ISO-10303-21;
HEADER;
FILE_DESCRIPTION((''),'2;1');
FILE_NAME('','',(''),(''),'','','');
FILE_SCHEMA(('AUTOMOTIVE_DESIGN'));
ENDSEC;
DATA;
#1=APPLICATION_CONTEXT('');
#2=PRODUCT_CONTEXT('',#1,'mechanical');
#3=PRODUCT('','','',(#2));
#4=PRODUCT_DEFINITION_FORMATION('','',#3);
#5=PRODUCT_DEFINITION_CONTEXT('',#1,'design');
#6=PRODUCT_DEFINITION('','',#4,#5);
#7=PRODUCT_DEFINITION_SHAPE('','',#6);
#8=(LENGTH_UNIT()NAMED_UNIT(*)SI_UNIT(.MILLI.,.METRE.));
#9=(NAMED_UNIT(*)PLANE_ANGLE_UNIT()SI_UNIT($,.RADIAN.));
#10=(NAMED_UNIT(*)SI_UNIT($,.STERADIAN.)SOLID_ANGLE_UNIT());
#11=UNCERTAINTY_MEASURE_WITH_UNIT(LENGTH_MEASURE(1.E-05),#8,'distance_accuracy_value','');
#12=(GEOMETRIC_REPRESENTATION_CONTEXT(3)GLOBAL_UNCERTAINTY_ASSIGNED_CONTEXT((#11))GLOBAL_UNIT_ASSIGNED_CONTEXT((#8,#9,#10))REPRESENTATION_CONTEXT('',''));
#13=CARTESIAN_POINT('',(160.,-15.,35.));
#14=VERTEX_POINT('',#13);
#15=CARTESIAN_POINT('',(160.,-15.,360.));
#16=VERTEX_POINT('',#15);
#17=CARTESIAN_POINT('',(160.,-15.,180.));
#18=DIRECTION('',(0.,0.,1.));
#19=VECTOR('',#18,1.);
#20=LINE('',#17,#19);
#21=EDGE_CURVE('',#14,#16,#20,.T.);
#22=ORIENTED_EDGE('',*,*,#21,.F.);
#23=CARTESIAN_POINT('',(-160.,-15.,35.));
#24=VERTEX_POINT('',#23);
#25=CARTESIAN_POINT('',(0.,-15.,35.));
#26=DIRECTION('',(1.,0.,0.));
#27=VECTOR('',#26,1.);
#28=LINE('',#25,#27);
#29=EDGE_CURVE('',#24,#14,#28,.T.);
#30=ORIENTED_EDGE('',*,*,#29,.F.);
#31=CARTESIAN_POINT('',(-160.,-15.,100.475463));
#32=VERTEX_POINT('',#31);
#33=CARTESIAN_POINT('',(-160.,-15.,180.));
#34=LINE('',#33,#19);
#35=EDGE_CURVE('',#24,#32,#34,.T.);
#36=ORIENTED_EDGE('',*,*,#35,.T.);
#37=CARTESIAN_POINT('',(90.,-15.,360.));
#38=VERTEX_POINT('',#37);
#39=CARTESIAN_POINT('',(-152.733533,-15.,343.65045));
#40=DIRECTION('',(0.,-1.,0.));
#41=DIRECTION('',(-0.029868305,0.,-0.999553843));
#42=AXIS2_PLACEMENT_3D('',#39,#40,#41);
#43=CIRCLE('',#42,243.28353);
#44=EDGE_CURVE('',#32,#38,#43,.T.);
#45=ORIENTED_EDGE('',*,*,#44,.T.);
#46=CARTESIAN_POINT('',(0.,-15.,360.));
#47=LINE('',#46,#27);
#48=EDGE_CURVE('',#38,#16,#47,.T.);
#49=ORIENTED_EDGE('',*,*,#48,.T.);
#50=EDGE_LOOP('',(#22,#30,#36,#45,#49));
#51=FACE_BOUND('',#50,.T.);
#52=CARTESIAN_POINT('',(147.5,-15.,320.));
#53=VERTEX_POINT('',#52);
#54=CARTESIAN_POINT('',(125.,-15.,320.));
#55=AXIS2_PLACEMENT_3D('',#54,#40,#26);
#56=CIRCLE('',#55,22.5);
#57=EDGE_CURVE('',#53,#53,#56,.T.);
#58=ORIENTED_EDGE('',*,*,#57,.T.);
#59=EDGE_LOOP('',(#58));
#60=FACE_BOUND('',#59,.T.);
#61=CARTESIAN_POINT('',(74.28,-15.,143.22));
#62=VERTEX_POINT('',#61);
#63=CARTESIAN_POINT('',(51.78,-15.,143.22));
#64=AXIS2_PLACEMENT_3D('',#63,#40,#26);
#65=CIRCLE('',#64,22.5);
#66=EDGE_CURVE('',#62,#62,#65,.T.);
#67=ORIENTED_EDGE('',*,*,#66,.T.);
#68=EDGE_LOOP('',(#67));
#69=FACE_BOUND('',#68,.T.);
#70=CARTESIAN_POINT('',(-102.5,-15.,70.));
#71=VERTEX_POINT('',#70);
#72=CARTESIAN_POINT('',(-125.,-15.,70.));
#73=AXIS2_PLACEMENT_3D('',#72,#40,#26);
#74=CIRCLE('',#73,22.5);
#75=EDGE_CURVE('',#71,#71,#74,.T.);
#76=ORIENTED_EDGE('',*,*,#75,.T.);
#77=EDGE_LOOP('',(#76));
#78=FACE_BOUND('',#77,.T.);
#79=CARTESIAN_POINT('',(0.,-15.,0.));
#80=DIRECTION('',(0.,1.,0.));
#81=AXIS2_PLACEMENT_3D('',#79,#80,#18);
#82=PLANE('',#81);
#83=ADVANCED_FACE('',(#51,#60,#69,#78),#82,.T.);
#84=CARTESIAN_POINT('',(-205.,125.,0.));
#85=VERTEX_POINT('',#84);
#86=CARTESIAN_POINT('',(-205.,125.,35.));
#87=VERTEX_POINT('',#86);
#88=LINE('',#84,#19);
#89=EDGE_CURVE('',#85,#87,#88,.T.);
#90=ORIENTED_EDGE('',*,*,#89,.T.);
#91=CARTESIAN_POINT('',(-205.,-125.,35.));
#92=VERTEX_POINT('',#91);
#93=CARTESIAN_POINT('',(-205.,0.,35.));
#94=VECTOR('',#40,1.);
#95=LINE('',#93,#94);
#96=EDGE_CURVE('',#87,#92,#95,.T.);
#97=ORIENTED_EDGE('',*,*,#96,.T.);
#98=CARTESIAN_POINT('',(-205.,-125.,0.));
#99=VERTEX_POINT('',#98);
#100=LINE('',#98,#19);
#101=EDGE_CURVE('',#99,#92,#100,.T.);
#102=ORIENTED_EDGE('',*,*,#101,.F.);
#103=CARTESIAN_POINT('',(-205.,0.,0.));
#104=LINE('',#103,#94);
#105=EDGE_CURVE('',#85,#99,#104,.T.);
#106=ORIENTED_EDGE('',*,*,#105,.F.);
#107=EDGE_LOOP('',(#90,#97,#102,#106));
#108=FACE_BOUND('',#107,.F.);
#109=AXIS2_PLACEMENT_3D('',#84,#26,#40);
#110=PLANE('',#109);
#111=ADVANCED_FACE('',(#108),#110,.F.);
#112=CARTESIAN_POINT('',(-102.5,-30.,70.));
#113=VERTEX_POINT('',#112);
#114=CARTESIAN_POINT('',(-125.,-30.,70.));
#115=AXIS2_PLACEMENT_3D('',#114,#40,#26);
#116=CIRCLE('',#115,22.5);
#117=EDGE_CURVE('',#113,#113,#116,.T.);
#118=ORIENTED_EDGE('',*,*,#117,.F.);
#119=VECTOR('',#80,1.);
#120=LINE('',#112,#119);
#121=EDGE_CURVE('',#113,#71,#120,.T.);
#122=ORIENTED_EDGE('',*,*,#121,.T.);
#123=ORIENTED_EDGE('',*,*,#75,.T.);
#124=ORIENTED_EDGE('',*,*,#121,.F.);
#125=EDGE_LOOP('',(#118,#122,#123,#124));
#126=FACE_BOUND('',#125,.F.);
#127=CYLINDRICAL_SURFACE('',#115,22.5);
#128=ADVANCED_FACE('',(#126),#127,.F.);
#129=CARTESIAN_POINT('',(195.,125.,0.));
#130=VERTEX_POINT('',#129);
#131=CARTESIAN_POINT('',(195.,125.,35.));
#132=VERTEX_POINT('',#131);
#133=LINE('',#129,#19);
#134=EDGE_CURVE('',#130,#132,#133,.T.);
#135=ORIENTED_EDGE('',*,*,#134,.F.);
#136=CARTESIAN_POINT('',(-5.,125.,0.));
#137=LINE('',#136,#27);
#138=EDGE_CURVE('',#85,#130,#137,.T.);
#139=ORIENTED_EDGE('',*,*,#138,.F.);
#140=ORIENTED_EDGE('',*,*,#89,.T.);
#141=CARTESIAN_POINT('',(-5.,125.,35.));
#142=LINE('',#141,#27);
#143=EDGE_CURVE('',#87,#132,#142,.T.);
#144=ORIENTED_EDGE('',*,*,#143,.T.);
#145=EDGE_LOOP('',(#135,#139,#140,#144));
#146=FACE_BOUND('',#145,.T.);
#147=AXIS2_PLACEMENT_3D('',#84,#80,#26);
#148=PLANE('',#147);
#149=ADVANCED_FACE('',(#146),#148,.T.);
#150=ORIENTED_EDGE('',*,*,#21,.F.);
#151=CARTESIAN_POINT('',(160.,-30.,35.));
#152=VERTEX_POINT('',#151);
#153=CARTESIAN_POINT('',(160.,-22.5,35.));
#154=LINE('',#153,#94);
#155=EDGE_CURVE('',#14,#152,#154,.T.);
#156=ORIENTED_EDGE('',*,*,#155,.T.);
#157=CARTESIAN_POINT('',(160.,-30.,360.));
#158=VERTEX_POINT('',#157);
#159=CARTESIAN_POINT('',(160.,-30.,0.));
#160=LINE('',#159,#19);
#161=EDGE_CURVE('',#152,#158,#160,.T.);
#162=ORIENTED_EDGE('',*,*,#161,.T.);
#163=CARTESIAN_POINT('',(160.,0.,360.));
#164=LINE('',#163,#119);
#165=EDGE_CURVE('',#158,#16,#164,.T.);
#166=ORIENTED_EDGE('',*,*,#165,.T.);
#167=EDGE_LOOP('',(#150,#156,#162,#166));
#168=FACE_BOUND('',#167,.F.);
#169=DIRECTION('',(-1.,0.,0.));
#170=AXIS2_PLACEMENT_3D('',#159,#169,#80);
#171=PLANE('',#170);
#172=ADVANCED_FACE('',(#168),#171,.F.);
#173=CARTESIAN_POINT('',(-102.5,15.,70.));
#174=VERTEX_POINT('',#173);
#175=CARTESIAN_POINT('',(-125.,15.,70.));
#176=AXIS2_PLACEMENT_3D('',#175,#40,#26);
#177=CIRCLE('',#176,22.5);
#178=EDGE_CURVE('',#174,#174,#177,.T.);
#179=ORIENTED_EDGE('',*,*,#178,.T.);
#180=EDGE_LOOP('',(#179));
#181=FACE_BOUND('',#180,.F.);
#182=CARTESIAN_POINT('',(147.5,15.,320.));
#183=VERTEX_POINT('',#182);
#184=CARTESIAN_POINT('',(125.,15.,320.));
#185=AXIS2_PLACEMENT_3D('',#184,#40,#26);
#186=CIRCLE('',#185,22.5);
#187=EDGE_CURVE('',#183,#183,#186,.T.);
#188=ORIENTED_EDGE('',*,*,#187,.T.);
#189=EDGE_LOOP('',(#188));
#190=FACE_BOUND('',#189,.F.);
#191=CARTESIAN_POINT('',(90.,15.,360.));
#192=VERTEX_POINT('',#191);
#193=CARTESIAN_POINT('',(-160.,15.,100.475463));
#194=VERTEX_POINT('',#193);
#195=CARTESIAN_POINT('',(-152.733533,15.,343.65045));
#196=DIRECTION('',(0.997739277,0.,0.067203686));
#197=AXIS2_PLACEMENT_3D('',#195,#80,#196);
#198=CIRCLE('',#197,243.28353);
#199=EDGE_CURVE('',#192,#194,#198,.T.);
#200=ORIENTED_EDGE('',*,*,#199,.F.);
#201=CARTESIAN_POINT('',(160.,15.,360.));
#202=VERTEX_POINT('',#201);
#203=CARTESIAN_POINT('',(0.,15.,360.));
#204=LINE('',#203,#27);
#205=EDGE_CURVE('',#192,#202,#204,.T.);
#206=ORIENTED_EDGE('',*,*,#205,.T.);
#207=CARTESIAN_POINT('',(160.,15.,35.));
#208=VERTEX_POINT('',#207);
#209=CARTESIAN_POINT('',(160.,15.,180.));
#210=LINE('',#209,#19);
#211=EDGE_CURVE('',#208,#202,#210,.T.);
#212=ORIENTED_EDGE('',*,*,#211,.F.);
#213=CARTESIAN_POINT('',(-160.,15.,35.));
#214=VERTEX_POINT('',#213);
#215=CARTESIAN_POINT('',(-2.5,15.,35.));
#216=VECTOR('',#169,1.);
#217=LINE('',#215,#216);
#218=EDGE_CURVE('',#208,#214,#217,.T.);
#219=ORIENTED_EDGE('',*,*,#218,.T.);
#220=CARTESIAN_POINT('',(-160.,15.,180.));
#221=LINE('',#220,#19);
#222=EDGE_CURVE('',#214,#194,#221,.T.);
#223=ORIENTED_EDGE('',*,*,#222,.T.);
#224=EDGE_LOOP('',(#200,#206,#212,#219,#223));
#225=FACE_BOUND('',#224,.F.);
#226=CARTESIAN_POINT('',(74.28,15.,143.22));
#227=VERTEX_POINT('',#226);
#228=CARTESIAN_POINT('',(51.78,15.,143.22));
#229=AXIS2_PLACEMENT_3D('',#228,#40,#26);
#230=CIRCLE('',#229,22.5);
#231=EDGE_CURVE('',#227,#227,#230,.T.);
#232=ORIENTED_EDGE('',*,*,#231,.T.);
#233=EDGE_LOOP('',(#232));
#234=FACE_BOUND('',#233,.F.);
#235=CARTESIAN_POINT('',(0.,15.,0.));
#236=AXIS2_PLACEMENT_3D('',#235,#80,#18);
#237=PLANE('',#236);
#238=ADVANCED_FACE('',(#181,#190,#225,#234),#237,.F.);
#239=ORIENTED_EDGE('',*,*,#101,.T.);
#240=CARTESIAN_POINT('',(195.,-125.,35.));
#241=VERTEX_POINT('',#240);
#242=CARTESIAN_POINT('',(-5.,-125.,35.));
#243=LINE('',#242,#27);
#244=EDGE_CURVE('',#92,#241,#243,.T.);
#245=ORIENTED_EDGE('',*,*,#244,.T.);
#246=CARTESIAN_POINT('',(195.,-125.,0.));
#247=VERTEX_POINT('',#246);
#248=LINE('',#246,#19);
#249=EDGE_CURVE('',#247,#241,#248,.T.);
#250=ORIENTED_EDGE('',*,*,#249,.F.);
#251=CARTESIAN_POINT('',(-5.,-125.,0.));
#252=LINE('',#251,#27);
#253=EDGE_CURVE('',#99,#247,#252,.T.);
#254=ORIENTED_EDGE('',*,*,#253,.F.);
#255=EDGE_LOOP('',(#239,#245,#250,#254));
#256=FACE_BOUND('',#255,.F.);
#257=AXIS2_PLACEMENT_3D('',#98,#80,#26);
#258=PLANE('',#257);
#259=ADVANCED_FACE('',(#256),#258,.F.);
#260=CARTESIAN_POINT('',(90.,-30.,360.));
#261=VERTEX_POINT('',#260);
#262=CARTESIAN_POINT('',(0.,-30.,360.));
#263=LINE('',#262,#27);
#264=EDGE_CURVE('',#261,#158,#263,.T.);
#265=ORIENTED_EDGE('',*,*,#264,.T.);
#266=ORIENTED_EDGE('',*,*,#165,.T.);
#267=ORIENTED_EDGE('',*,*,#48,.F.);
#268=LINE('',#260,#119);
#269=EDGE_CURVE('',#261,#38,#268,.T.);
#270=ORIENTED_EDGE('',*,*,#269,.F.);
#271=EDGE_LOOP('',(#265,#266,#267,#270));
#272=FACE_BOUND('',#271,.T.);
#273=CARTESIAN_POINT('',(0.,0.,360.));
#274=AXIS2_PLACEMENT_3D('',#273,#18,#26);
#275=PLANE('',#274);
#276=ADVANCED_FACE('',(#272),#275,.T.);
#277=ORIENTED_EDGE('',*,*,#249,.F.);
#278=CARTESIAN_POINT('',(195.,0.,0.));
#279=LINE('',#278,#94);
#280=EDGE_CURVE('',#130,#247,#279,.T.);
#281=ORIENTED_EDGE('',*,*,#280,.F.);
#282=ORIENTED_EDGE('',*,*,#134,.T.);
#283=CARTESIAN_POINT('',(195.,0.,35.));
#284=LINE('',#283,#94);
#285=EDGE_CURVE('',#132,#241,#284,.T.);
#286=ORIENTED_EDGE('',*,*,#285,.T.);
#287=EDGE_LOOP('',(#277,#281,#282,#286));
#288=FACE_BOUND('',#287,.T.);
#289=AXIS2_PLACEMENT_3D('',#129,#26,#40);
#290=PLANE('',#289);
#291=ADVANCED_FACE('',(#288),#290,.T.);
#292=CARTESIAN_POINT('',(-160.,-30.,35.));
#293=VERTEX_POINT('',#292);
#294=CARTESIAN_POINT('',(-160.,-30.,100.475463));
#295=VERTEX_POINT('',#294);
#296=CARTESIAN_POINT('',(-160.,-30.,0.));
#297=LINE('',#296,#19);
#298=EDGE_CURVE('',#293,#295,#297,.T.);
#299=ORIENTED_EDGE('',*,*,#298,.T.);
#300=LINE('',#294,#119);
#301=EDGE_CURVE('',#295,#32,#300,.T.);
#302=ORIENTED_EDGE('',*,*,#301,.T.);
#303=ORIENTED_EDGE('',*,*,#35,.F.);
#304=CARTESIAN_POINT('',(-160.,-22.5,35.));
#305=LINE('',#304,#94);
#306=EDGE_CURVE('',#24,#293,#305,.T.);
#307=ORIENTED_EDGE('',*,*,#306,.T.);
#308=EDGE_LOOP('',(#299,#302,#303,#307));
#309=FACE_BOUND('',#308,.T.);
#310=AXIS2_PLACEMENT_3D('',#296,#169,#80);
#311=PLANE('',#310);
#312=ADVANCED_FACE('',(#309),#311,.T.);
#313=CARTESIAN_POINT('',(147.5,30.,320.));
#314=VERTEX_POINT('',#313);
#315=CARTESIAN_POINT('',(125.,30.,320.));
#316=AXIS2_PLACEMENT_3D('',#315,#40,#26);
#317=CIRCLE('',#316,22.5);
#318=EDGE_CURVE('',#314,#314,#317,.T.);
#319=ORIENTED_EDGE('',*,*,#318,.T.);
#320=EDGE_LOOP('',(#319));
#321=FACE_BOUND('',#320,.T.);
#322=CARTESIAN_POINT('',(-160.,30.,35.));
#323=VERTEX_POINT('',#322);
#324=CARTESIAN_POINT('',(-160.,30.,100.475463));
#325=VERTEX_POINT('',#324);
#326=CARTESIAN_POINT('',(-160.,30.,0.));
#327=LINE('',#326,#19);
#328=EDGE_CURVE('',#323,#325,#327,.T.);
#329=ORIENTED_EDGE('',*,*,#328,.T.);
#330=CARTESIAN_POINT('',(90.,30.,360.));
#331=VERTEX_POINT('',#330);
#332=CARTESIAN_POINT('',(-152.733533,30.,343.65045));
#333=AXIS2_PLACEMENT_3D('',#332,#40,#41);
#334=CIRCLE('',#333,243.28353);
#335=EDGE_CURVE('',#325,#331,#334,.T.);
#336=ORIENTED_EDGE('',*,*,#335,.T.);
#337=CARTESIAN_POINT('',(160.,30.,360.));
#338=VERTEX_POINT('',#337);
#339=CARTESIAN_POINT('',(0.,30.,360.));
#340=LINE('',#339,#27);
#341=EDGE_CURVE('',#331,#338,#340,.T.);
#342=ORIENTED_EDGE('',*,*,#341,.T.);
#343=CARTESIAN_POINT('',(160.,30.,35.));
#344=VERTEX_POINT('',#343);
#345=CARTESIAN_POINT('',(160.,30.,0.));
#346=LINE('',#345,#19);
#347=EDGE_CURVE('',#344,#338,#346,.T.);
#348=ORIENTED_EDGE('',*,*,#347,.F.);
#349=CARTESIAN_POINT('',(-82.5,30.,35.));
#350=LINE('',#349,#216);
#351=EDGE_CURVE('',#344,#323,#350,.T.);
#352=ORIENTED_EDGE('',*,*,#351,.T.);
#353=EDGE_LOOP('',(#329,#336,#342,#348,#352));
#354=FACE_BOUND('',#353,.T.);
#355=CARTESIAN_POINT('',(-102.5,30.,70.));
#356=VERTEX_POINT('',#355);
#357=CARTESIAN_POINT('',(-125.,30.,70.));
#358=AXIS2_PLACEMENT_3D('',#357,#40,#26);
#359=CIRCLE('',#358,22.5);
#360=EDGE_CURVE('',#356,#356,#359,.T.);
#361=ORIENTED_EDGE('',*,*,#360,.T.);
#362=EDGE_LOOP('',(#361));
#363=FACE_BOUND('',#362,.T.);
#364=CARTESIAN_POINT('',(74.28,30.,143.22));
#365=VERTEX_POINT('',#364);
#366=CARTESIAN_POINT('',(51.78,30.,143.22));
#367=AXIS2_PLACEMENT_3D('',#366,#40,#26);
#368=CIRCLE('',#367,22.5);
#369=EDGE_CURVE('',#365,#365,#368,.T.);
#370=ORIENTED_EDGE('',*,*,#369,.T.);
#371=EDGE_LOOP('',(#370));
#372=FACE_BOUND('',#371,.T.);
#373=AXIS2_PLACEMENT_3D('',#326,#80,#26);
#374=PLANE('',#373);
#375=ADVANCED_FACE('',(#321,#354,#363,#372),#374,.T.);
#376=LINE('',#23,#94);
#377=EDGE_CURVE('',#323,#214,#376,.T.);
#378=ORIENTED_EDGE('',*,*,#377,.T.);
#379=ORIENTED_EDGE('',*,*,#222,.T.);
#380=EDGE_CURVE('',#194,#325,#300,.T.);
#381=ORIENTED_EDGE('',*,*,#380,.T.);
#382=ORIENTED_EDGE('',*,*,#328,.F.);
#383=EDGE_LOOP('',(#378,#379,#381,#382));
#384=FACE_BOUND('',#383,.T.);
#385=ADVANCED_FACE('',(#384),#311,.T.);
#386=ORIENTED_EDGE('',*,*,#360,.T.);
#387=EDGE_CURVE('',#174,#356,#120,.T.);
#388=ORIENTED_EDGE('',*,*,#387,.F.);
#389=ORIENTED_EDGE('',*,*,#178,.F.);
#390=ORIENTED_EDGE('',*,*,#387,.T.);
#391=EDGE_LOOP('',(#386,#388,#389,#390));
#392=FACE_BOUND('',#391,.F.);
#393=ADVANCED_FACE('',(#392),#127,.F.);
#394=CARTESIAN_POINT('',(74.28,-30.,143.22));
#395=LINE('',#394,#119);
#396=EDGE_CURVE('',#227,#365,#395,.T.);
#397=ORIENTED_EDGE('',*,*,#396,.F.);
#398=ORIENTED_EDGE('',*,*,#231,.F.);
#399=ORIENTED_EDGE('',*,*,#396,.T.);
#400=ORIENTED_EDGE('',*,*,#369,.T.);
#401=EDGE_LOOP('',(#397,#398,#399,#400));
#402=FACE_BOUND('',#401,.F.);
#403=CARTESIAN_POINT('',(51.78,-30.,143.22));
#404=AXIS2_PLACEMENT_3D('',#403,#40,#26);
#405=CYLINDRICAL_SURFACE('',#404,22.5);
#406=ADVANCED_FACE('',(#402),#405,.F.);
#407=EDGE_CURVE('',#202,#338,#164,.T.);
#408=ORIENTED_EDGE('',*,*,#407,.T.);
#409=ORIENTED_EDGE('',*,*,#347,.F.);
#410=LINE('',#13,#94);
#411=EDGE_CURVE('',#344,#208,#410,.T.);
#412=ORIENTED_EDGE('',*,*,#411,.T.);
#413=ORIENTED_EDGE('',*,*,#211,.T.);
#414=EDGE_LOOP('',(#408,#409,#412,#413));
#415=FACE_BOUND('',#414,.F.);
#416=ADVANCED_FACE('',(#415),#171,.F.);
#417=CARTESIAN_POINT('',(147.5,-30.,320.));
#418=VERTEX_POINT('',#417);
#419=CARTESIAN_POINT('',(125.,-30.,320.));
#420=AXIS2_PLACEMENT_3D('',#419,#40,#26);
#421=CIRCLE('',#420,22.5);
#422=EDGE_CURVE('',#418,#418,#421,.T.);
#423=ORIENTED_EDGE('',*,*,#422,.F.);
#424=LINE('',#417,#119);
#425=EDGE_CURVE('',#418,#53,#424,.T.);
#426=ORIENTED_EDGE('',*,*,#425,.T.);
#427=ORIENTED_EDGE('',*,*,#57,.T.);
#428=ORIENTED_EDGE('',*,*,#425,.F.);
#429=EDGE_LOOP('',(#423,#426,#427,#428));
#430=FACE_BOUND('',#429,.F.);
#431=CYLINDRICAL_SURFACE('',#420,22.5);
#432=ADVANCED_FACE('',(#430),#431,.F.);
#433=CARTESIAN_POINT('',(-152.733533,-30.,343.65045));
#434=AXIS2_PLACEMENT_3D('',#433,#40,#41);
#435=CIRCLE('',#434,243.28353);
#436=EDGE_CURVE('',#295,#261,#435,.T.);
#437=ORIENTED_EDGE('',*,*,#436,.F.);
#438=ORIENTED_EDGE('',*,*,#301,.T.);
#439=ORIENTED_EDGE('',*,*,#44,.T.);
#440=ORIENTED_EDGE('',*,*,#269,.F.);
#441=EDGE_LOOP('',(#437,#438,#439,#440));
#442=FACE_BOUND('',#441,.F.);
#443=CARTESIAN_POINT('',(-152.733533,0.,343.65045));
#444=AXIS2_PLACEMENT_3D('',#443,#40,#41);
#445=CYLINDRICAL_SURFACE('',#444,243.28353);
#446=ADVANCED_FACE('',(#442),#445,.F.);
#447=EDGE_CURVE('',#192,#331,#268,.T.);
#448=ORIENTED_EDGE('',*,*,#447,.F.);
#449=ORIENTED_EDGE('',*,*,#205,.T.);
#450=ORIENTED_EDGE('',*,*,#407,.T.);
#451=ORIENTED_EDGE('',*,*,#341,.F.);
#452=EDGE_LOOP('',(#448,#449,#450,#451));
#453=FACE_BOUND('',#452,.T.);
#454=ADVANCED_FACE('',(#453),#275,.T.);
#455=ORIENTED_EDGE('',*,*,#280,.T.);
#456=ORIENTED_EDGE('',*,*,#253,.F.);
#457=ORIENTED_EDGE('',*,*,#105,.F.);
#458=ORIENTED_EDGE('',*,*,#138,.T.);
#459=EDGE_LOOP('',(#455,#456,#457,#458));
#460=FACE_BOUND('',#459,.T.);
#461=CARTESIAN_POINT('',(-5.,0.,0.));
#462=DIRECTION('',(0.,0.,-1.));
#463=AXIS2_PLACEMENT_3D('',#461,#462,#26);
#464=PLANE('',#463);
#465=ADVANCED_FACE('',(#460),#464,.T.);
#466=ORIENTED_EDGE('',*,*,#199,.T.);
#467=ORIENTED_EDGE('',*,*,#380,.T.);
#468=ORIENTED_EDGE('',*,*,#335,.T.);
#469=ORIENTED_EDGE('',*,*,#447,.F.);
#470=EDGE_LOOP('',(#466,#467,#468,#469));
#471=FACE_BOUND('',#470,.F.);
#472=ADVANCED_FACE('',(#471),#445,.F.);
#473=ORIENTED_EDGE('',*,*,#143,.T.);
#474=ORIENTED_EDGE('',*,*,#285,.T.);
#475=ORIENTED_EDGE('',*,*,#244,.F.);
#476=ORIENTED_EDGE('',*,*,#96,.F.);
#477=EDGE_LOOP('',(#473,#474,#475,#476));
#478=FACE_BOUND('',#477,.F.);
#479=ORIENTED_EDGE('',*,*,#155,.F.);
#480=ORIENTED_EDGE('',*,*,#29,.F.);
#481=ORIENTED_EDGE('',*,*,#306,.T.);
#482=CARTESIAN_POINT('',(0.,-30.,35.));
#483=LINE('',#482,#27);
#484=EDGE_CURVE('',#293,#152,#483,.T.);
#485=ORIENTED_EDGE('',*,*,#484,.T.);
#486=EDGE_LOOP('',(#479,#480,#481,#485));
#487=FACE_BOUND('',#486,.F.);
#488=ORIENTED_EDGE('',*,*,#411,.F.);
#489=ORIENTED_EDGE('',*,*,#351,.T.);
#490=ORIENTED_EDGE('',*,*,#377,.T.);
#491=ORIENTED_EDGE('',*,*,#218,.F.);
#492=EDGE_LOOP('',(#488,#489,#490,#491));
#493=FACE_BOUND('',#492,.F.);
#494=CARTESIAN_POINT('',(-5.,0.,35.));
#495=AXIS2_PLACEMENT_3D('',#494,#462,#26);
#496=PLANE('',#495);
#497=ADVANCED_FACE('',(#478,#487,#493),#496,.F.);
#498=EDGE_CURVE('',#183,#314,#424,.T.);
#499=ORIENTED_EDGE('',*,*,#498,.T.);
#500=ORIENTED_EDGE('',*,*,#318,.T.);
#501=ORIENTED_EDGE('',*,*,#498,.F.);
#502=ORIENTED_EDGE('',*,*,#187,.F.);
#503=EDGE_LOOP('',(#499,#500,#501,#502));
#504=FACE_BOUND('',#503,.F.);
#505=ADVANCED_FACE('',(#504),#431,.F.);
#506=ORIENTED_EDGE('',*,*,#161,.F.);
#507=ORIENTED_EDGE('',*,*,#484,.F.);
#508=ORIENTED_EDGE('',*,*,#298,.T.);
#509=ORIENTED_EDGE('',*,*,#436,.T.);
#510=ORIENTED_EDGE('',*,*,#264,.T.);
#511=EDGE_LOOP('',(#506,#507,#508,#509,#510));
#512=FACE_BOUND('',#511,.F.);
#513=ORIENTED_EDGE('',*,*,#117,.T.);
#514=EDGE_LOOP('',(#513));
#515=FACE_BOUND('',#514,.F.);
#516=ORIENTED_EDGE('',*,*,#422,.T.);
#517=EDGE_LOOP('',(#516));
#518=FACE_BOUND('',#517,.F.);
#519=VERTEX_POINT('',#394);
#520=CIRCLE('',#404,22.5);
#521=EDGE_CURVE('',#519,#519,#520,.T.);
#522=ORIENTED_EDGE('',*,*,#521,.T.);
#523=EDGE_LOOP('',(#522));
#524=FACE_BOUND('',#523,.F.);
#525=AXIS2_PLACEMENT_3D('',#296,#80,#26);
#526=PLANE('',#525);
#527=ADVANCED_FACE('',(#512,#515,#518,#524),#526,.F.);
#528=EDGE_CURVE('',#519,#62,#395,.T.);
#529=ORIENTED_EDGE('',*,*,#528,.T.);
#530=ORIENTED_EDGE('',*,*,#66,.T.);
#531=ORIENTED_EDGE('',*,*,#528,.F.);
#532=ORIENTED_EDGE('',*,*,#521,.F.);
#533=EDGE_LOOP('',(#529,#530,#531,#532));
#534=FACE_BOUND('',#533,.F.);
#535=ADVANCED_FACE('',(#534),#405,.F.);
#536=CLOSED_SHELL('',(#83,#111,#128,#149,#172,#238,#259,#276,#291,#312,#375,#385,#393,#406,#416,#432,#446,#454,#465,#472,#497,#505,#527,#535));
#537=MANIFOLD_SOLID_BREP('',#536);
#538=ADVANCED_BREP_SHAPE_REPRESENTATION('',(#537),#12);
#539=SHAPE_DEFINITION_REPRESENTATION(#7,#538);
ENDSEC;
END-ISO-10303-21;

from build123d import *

# Parameters (mm, degrees)
F0_W          = 320
F0_H          = 60
F1_DEPTH      = 360
F2_R          = 22.5
F3_DEPTH      = 60
F5_DEPTH      = 30
F5_DEPTH_BACK = 30
F6_W          = 30
F6_H          = 360
F7_DEPTH      = 160
F7_DEPTH_BACK = 160
F8_W          = 400
F8_H          = 250
F8_W_2        = 320
F8_H_2        = 15
F9_DEPTH      = 35


with BuildPart() as f1:
    # F0 (on Top) → F1 (new body)
    with BuildSketch(Plane.XY):
        Rectangle(F0_W, F0_H)
    extrude(amount=F1_DEPTH)

    # F2 (on face) → F3 (cut, through all)
    with BuildSketch(Plane.XZ.offset(30)):
        with Locations((125, 320)):
            Circle(F2_R)
        with Locations((-125, 70)):
            Circle(F2_R)
        with Locations((51.78, 143.22)):
            Circle(F2_R)
    extrude(amount=-F3_DEPTH, mode=Mode.SUBTRACT)

    # F4 (on Front) → F5 (cut, two sides)
    with BuildSketch(Plane.XZ) as f5_sk:
        with BuildLine():
            Line((-160, 360), (-160, 100.4754627342))
            ThreePointArc((-160, 100.4754627342), (22.4789982631, 174.8682094052), (90, 360))
            Line((90, 360), (-160, 360))
        make_face()
    extrude(amount=F5_DEPTH, mode=Mode.SUBTRACT)
    extrude(f5_sk.sketch, amount=-F5_DEPTH_BACK, mode=Mode.SUBTRACT)

    # F6 (on Right) → F7 (cut, two sides)
    with BuildSketch(Plane.YZ) as f7_sk:
        with Locations((0, 180)):
            Rectangle(F6_W, F6_H)
    extrude(amount=-F7_DEPTH, mode=Mode.SUBTRACT)
    extrude(f7_sk.sketch, amount=F7_DEPTH_BACK, mode=Mode.SUBTRACT)

    # F8 (on face) → F9 (join)
    with BuildSketch(Plane(origin=(0, 0, 0), x_dir=(1, 0, 0), z_dir=(0, 0, -1))):
        with Locations((-5, 0)):
            Rectangle(F8_W, F8_H)
        with Locations((0, 22.5)):
            Rectangle(F8_W_2, F8_H_2, mode=Mode.SUBTRACT)
    extrude(amount=-F9_DEPTH)


solid = f1.part
